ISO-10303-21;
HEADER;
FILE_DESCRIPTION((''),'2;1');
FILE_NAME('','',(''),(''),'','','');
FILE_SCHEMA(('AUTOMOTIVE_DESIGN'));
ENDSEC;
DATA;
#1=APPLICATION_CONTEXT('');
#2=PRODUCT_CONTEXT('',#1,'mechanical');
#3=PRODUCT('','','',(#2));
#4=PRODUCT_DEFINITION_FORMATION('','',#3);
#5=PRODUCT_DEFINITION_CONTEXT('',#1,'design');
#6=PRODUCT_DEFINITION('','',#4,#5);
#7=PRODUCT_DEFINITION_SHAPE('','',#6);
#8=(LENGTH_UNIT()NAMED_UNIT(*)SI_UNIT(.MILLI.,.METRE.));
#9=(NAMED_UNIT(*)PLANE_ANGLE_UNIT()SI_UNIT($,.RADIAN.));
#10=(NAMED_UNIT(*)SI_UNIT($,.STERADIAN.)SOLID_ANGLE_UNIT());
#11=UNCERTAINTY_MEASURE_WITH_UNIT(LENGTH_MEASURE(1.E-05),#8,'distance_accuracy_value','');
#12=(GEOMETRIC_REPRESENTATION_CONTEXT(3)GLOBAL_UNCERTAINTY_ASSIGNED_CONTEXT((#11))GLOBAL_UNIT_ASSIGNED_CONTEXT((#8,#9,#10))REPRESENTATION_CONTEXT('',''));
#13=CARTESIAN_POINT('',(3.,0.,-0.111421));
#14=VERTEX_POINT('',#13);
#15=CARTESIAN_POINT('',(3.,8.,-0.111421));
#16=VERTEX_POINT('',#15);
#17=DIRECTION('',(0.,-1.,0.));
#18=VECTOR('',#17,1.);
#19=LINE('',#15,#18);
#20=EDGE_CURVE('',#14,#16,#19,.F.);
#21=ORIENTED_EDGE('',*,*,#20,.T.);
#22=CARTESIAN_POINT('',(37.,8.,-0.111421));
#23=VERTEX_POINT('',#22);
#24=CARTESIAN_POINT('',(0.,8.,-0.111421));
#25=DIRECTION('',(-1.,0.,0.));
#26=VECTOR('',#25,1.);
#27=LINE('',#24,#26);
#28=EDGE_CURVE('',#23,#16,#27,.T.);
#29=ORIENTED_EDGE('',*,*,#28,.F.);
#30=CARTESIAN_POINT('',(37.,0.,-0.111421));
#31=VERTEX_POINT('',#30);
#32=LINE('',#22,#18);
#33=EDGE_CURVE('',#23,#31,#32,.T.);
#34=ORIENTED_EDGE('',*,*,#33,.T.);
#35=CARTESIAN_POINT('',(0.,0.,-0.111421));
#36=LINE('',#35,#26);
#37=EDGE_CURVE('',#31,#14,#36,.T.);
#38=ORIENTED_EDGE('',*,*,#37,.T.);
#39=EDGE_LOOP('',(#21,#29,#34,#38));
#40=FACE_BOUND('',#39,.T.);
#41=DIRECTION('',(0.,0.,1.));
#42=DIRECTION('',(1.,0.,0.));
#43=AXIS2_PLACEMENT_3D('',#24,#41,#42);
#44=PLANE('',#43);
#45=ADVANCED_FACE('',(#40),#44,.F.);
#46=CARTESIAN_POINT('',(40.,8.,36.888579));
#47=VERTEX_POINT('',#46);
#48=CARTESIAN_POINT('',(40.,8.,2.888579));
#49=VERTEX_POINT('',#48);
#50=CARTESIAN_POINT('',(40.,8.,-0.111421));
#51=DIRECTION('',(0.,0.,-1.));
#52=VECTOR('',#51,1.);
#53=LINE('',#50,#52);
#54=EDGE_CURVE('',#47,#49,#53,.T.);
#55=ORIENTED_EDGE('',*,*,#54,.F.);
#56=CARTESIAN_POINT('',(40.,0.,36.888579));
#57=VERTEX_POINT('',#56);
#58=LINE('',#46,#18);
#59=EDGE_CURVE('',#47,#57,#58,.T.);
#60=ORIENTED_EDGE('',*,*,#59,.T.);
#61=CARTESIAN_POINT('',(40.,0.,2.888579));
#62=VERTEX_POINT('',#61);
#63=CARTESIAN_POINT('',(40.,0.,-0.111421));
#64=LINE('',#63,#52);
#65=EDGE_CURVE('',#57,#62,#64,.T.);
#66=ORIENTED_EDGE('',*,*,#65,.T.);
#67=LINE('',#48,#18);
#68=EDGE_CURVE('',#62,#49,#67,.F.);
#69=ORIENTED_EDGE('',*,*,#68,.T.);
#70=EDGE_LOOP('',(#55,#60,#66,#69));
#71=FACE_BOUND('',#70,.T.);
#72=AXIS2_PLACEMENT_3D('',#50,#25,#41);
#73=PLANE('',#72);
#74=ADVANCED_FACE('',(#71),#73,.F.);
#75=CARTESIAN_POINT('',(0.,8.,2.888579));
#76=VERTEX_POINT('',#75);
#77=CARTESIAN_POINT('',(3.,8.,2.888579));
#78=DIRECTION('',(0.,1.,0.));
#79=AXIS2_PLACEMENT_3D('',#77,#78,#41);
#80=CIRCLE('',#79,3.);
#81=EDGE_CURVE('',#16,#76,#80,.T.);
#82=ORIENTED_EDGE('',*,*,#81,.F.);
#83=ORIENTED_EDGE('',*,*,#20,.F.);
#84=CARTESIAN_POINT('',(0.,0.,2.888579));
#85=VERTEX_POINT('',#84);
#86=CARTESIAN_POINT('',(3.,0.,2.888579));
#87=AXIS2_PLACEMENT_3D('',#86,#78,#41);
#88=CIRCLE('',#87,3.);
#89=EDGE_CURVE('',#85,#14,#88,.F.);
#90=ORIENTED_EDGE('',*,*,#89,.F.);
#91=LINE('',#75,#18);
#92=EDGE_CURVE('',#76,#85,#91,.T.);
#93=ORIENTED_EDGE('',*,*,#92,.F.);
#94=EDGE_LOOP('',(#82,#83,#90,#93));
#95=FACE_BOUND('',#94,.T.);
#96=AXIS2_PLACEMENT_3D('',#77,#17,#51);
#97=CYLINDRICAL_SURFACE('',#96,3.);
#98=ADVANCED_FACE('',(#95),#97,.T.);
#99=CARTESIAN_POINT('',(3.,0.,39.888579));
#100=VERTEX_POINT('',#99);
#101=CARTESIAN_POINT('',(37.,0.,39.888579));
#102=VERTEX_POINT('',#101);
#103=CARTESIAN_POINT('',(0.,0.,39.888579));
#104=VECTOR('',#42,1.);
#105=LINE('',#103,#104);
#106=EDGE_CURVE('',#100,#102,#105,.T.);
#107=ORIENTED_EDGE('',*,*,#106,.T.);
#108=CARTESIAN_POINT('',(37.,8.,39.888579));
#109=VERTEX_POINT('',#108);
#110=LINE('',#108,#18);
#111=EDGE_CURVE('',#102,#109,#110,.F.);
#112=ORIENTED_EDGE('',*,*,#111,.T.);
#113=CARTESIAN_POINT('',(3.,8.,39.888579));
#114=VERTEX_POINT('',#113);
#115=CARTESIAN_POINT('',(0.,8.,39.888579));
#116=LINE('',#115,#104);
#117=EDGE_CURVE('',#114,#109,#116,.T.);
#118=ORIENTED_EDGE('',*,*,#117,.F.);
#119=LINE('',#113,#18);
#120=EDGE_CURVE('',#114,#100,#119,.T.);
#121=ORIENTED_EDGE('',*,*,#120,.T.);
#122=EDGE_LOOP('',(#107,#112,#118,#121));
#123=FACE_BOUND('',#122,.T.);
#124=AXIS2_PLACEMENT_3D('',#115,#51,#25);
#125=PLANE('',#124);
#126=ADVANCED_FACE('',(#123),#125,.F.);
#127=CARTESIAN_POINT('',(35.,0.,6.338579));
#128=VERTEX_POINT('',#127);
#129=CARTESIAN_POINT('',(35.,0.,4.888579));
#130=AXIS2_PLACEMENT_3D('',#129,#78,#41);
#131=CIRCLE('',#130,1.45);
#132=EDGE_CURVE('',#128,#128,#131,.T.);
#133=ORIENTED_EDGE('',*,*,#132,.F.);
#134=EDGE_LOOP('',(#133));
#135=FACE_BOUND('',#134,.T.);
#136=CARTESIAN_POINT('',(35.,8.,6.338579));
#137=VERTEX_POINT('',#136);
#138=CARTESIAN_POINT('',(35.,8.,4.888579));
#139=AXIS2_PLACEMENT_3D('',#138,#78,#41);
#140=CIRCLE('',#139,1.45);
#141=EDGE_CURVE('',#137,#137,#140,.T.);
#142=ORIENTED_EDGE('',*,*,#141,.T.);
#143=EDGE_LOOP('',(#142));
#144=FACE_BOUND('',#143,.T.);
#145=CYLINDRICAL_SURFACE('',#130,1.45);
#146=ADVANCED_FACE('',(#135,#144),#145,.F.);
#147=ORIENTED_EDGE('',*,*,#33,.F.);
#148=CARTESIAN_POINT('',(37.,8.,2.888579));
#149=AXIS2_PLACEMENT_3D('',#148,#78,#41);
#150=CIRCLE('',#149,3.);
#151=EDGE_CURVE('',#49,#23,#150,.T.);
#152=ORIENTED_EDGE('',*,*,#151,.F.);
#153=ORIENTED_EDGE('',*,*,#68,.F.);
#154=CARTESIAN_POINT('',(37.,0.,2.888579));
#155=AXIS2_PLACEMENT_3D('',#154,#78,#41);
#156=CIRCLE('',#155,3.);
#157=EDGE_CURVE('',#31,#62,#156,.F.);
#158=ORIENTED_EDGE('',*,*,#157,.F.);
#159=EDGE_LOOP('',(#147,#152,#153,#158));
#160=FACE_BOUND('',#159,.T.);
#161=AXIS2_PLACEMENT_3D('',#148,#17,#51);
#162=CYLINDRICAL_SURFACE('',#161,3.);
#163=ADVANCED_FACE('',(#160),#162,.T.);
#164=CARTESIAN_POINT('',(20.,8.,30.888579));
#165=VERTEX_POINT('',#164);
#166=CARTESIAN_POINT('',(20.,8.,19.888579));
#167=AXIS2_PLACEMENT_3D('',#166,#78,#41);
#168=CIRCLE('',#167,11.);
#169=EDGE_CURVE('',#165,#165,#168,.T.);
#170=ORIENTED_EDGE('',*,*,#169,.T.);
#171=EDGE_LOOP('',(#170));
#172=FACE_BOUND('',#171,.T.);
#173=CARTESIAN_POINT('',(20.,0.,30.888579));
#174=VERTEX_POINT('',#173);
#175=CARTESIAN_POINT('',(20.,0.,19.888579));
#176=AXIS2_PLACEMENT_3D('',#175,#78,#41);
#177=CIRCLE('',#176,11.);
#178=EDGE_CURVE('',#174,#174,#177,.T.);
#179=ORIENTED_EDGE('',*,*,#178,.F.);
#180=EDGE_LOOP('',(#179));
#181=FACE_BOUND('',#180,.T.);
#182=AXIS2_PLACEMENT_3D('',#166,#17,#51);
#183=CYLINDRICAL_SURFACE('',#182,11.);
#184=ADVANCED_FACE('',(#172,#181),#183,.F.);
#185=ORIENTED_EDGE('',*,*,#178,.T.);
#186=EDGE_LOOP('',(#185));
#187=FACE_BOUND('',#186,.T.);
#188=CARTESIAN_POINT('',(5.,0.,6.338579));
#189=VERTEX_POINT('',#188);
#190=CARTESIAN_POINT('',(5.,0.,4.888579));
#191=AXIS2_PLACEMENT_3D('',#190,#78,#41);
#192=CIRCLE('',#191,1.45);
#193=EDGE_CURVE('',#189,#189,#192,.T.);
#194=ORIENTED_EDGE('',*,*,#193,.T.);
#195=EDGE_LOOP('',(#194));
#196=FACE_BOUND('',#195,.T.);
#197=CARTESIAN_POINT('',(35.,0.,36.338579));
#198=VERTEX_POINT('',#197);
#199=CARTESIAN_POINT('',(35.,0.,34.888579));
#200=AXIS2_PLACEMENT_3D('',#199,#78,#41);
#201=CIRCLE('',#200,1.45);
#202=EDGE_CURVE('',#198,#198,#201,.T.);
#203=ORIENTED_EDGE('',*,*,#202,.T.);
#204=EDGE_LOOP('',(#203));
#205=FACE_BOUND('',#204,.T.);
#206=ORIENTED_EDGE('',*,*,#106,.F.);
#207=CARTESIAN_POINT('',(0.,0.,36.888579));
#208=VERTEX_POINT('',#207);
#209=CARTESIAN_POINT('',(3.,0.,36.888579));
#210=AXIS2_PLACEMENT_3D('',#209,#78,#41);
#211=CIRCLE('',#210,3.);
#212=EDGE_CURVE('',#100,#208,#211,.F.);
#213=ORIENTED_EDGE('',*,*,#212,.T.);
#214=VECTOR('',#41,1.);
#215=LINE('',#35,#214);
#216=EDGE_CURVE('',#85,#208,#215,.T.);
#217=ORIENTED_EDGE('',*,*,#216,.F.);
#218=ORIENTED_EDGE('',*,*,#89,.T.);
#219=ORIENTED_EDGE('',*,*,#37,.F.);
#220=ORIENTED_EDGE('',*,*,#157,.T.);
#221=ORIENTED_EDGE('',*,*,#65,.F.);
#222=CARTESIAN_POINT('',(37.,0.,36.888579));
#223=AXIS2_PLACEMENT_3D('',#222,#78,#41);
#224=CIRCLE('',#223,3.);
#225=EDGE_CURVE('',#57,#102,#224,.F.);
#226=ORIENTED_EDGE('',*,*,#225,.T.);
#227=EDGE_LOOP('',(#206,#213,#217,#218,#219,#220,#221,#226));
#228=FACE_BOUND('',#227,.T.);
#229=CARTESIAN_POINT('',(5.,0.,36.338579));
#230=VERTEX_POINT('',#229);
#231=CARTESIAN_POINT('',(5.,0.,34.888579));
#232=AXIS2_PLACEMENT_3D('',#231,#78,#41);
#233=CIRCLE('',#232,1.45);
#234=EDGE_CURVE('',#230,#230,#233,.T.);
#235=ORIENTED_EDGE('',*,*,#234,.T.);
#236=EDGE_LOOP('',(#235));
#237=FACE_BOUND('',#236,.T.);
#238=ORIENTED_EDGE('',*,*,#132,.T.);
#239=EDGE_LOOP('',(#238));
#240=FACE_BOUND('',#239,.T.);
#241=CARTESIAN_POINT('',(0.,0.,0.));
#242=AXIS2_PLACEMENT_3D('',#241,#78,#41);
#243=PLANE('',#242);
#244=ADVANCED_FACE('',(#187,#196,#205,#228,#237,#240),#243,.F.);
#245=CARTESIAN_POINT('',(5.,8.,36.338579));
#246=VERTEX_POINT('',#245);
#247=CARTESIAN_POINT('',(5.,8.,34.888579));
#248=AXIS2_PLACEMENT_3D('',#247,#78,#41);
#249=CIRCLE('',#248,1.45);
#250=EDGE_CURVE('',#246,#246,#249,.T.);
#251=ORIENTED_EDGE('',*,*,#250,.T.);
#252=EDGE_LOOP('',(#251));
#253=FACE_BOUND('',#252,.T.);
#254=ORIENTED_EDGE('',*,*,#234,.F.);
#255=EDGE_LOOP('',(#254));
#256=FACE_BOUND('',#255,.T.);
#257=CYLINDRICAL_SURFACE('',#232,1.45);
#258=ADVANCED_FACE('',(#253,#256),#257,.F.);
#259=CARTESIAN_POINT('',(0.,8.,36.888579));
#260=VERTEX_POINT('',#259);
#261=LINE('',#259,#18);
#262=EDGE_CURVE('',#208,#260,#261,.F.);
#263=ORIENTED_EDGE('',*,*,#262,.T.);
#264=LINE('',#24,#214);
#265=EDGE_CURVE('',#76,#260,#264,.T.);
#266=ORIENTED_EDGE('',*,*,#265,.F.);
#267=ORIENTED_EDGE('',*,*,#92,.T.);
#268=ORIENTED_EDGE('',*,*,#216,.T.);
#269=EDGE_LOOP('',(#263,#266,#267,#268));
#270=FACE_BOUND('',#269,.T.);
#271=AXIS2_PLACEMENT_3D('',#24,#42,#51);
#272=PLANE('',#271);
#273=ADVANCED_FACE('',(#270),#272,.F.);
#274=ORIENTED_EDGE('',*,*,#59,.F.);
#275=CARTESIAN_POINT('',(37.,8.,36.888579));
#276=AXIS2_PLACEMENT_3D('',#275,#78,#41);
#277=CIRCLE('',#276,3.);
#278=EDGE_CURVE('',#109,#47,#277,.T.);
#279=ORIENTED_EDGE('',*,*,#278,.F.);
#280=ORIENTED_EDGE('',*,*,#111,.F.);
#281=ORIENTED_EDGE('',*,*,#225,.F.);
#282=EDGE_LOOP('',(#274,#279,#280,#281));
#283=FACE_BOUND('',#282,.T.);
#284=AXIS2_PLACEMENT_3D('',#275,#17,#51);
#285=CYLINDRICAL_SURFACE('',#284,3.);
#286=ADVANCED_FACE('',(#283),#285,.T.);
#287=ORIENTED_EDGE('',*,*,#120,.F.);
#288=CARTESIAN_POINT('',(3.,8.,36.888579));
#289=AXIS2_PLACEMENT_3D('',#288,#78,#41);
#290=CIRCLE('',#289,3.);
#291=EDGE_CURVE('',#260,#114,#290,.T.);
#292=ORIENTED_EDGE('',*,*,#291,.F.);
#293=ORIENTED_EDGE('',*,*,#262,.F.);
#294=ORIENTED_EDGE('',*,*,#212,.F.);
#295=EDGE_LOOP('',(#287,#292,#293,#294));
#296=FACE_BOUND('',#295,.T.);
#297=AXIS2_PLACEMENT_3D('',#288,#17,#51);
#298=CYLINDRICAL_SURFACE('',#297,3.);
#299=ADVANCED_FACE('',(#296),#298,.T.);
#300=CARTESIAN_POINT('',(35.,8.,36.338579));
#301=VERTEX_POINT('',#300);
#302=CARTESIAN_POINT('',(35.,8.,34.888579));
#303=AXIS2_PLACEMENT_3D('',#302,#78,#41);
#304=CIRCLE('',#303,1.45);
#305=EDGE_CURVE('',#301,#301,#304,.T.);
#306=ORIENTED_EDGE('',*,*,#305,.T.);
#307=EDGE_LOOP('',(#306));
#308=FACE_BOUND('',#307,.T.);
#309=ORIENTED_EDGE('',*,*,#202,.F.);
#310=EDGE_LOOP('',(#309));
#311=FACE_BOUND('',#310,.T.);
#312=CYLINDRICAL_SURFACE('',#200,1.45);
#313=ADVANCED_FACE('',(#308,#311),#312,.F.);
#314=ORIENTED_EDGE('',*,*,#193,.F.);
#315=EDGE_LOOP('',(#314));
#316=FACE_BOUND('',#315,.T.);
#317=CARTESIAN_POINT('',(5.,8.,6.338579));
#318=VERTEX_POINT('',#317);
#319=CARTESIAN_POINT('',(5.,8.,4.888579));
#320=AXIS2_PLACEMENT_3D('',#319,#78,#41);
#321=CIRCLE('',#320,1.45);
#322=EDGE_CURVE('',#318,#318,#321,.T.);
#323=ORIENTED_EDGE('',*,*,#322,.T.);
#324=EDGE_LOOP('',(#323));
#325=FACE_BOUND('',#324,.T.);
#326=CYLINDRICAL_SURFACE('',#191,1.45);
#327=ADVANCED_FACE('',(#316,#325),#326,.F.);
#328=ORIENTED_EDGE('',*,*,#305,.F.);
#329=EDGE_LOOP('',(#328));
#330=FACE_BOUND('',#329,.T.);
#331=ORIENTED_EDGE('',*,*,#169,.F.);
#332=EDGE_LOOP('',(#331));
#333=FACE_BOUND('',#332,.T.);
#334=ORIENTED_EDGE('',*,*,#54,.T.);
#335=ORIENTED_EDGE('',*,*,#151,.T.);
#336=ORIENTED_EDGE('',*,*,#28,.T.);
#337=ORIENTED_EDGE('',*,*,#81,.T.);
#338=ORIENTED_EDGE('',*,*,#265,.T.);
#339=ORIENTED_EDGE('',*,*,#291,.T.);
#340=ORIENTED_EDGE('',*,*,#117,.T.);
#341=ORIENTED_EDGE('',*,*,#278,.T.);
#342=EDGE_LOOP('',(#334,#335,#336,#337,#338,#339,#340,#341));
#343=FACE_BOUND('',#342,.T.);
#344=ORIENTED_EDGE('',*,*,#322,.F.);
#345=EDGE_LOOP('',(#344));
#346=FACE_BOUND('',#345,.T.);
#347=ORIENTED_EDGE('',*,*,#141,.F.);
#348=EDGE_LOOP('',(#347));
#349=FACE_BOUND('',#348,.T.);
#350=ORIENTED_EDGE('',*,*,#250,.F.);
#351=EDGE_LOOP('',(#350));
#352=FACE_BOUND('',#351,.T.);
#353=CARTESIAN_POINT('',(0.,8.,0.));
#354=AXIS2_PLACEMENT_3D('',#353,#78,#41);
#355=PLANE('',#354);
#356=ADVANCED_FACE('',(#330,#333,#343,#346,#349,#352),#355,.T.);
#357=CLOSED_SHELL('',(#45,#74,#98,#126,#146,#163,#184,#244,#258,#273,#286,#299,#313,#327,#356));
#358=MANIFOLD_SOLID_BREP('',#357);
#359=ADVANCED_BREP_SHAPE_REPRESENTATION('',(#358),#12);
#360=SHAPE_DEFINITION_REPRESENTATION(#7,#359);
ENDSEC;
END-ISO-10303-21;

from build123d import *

# Parameters (mm, degrees)
SKETCH1_W           = 40
SKETCH1_H           = 40
SKETCH1_R           = 11
BOSS_EXTRUDE1_DEPTH = 8
SKETCH12_R          = 1.45
CUT_EXTRUDE1_DEPTH  = 58.053472861
FILLET1_R           = 3


with BuildPart() as part:
    # Sketch1 → Boss-Extrude1 (new body)
    with BuildSketch(Plane(origin=(0, 0, 0), x_dir=(1, 0, 0), z_dir=(0, 1, 0))):
        with Locations((20, -19.888579387)):
            Rectangle(SKETCH1_W, SKETCH1_H)
        with Locations(Location((20, -19.888579387, 0), (0, 0, 270))):
            Circle(SKETCH1_R, mode=Mode.SUBTRACT)
    extrude(amount=BOSS_EXTRUDE1_DEPTH)

    # Sketch12 → Cut-Extrude1 (cut, through all)
    with BuildSketch(Plane(origin=(0, 8, 0), x_dir=(1, 0, 0), z_dir=(0, 1, 0))):
        with Locations(Location((5, -4.888579387, 0), (0, 0, 270))):
            Circle(SKETCH12_R)
        with Locations(Location((35, -4.888579387, 0), (0, 0, 270))):
            Circle(SKETCH12_R)
        with Locations(Location((35, -34.888579387, 0), (0, 0, 270))):
            Circle(SKETCH12_R)
        with Locations(Location((5, -34.888579387, 0), (0, 0, 270))):
            Circle(SKETCH12_R)
    extrude(amount=-CUT_EXTRUDE1_DEPTH, mode=Mode.SUBTRACT)

    # Fillet1
    fillet1_edges = [part.edges().sort_by_distance(p)[0] for p in [
        (0, 4, -0.111420613),
        (40, 4, -0.111420613),
        (40, 4, 39.888579387),
        (0, 4, 39.888579387),
    ]]
    fillet(fillet1_edges, radius=FILLET1_R)


solid = part.part
